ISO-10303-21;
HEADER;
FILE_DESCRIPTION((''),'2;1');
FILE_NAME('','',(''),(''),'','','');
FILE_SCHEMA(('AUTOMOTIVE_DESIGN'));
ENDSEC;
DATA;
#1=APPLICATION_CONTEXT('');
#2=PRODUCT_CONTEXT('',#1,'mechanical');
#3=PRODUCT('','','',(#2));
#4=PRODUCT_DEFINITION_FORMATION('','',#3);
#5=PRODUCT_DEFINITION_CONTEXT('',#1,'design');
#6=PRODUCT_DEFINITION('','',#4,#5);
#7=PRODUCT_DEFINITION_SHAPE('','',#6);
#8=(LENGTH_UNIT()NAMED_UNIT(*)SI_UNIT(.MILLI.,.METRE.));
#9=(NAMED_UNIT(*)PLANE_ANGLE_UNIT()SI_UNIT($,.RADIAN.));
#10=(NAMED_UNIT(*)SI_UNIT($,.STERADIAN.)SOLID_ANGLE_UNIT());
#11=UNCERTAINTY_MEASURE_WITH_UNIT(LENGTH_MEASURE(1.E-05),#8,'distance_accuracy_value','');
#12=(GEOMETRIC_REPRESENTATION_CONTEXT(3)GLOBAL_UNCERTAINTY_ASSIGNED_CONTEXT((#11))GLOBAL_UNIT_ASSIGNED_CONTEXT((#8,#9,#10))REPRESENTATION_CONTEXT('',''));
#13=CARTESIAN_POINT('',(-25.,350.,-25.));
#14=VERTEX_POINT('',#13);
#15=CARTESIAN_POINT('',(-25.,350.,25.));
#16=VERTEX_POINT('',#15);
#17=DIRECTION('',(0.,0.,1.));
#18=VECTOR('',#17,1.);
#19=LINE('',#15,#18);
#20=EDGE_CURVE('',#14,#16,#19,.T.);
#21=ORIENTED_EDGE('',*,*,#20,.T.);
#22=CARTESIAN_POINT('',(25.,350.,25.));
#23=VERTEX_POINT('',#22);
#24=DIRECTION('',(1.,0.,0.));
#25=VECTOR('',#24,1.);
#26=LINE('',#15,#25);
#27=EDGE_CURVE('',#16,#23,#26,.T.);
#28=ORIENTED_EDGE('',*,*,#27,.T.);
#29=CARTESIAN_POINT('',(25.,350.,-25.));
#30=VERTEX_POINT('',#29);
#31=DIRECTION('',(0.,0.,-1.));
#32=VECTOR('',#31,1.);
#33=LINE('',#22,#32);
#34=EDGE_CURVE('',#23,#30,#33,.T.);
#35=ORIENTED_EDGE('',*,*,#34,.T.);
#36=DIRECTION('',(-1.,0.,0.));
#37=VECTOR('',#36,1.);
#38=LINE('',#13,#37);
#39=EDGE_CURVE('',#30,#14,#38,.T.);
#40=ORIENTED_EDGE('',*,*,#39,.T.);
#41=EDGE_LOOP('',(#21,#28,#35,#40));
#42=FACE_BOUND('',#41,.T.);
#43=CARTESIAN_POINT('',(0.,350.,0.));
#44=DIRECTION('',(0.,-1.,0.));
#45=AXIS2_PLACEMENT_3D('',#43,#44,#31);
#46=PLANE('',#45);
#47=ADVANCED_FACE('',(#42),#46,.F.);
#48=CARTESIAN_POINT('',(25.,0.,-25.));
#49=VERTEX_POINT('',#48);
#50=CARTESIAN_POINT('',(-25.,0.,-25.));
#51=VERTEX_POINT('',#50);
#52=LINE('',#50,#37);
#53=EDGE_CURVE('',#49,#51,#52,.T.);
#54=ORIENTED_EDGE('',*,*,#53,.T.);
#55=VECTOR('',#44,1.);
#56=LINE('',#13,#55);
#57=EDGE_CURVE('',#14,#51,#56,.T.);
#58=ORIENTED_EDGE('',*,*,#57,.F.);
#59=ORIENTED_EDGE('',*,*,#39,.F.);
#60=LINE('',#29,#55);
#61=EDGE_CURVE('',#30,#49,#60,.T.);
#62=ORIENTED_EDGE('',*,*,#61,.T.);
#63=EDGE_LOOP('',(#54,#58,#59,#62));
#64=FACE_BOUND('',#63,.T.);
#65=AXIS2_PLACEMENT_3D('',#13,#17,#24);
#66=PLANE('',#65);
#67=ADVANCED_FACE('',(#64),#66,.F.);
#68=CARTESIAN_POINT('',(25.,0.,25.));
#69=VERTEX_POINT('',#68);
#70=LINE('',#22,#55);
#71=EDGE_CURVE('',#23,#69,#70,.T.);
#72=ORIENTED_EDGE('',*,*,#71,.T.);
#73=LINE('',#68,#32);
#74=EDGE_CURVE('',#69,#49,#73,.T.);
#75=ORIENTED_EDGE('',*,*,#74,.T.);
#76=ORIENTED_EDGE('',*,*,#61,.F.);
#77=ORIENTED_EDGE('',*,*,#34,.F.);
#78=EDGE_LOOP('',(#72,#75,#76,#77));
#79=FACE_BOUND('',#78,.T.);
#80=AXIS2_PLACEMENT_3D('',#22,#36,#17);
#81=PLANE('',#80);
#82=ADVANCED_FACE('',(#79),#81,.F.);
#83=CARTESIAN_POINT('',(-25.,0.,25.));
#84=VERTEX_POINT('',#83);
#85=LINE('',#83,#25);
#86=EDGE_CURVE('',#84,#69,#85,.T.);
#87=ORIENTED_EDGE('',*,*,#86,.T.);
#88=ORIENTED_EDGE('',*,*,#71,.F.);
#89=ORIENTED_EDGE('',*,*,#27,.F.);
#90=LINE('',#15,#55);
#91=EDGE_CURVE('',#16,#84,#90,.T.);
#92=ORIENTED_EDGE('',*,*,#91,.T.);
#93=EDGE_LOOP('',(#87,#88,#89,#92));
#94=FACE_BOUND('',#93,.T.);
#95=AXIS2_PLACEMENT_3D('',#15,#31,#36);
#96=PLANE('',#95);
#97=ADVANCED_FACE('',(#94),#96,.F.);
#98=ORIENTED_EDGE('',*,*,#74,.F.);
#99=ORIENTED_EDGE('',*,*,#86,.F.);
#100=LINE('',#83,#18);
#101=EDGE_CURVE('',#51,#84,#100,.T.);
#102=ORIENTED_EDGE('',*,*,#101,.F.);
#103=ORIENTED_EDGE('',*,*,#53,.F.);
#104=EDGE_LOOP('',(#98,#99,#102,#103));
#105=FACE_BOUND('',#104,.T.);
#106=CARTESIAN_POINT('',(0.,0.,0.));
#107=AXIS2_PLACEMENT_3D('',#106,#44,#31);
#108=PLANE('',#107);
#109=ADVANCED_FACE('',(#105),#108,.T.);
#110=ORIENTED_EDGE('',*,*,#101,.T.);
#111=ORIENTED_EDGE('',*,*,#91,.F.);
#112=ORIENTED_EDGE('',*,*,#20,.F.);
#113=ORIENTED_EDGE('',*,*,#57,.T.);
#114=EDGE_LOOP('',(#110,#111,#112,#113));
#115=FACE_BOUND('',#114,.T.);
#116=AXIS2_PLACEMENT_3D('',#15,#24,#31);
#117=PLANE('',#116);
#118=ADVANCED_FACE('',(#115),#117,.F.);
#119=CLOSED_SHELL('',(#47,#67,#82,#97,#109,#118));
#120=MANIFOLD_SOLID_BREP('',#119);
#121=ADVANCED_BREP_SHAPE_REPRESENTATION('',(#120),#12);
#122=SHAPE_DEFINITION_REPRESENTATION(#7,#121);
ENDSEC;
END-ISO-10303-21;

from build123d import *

# Parameters (mm, degrees)
ESQUISSE1_W        = 50
ESQUISSE1_H        = 50
BOSS_EXTRU_1_DEPTH = 350


with BuildPart() as part:
    # Esquisse1 → Boss.-Extru.1 (new body)
    with BuildSketch(Plane(origin=(0, 0, 0), x_dir=(1, 0, 0), z_dir=(0, 1, 0))):
        Rectangle(ESQUISSE1_W, ESQUISSE1_H)
    extrude(amount=BOSS_EXTRU_1_DEPTH)


solid = part.part
